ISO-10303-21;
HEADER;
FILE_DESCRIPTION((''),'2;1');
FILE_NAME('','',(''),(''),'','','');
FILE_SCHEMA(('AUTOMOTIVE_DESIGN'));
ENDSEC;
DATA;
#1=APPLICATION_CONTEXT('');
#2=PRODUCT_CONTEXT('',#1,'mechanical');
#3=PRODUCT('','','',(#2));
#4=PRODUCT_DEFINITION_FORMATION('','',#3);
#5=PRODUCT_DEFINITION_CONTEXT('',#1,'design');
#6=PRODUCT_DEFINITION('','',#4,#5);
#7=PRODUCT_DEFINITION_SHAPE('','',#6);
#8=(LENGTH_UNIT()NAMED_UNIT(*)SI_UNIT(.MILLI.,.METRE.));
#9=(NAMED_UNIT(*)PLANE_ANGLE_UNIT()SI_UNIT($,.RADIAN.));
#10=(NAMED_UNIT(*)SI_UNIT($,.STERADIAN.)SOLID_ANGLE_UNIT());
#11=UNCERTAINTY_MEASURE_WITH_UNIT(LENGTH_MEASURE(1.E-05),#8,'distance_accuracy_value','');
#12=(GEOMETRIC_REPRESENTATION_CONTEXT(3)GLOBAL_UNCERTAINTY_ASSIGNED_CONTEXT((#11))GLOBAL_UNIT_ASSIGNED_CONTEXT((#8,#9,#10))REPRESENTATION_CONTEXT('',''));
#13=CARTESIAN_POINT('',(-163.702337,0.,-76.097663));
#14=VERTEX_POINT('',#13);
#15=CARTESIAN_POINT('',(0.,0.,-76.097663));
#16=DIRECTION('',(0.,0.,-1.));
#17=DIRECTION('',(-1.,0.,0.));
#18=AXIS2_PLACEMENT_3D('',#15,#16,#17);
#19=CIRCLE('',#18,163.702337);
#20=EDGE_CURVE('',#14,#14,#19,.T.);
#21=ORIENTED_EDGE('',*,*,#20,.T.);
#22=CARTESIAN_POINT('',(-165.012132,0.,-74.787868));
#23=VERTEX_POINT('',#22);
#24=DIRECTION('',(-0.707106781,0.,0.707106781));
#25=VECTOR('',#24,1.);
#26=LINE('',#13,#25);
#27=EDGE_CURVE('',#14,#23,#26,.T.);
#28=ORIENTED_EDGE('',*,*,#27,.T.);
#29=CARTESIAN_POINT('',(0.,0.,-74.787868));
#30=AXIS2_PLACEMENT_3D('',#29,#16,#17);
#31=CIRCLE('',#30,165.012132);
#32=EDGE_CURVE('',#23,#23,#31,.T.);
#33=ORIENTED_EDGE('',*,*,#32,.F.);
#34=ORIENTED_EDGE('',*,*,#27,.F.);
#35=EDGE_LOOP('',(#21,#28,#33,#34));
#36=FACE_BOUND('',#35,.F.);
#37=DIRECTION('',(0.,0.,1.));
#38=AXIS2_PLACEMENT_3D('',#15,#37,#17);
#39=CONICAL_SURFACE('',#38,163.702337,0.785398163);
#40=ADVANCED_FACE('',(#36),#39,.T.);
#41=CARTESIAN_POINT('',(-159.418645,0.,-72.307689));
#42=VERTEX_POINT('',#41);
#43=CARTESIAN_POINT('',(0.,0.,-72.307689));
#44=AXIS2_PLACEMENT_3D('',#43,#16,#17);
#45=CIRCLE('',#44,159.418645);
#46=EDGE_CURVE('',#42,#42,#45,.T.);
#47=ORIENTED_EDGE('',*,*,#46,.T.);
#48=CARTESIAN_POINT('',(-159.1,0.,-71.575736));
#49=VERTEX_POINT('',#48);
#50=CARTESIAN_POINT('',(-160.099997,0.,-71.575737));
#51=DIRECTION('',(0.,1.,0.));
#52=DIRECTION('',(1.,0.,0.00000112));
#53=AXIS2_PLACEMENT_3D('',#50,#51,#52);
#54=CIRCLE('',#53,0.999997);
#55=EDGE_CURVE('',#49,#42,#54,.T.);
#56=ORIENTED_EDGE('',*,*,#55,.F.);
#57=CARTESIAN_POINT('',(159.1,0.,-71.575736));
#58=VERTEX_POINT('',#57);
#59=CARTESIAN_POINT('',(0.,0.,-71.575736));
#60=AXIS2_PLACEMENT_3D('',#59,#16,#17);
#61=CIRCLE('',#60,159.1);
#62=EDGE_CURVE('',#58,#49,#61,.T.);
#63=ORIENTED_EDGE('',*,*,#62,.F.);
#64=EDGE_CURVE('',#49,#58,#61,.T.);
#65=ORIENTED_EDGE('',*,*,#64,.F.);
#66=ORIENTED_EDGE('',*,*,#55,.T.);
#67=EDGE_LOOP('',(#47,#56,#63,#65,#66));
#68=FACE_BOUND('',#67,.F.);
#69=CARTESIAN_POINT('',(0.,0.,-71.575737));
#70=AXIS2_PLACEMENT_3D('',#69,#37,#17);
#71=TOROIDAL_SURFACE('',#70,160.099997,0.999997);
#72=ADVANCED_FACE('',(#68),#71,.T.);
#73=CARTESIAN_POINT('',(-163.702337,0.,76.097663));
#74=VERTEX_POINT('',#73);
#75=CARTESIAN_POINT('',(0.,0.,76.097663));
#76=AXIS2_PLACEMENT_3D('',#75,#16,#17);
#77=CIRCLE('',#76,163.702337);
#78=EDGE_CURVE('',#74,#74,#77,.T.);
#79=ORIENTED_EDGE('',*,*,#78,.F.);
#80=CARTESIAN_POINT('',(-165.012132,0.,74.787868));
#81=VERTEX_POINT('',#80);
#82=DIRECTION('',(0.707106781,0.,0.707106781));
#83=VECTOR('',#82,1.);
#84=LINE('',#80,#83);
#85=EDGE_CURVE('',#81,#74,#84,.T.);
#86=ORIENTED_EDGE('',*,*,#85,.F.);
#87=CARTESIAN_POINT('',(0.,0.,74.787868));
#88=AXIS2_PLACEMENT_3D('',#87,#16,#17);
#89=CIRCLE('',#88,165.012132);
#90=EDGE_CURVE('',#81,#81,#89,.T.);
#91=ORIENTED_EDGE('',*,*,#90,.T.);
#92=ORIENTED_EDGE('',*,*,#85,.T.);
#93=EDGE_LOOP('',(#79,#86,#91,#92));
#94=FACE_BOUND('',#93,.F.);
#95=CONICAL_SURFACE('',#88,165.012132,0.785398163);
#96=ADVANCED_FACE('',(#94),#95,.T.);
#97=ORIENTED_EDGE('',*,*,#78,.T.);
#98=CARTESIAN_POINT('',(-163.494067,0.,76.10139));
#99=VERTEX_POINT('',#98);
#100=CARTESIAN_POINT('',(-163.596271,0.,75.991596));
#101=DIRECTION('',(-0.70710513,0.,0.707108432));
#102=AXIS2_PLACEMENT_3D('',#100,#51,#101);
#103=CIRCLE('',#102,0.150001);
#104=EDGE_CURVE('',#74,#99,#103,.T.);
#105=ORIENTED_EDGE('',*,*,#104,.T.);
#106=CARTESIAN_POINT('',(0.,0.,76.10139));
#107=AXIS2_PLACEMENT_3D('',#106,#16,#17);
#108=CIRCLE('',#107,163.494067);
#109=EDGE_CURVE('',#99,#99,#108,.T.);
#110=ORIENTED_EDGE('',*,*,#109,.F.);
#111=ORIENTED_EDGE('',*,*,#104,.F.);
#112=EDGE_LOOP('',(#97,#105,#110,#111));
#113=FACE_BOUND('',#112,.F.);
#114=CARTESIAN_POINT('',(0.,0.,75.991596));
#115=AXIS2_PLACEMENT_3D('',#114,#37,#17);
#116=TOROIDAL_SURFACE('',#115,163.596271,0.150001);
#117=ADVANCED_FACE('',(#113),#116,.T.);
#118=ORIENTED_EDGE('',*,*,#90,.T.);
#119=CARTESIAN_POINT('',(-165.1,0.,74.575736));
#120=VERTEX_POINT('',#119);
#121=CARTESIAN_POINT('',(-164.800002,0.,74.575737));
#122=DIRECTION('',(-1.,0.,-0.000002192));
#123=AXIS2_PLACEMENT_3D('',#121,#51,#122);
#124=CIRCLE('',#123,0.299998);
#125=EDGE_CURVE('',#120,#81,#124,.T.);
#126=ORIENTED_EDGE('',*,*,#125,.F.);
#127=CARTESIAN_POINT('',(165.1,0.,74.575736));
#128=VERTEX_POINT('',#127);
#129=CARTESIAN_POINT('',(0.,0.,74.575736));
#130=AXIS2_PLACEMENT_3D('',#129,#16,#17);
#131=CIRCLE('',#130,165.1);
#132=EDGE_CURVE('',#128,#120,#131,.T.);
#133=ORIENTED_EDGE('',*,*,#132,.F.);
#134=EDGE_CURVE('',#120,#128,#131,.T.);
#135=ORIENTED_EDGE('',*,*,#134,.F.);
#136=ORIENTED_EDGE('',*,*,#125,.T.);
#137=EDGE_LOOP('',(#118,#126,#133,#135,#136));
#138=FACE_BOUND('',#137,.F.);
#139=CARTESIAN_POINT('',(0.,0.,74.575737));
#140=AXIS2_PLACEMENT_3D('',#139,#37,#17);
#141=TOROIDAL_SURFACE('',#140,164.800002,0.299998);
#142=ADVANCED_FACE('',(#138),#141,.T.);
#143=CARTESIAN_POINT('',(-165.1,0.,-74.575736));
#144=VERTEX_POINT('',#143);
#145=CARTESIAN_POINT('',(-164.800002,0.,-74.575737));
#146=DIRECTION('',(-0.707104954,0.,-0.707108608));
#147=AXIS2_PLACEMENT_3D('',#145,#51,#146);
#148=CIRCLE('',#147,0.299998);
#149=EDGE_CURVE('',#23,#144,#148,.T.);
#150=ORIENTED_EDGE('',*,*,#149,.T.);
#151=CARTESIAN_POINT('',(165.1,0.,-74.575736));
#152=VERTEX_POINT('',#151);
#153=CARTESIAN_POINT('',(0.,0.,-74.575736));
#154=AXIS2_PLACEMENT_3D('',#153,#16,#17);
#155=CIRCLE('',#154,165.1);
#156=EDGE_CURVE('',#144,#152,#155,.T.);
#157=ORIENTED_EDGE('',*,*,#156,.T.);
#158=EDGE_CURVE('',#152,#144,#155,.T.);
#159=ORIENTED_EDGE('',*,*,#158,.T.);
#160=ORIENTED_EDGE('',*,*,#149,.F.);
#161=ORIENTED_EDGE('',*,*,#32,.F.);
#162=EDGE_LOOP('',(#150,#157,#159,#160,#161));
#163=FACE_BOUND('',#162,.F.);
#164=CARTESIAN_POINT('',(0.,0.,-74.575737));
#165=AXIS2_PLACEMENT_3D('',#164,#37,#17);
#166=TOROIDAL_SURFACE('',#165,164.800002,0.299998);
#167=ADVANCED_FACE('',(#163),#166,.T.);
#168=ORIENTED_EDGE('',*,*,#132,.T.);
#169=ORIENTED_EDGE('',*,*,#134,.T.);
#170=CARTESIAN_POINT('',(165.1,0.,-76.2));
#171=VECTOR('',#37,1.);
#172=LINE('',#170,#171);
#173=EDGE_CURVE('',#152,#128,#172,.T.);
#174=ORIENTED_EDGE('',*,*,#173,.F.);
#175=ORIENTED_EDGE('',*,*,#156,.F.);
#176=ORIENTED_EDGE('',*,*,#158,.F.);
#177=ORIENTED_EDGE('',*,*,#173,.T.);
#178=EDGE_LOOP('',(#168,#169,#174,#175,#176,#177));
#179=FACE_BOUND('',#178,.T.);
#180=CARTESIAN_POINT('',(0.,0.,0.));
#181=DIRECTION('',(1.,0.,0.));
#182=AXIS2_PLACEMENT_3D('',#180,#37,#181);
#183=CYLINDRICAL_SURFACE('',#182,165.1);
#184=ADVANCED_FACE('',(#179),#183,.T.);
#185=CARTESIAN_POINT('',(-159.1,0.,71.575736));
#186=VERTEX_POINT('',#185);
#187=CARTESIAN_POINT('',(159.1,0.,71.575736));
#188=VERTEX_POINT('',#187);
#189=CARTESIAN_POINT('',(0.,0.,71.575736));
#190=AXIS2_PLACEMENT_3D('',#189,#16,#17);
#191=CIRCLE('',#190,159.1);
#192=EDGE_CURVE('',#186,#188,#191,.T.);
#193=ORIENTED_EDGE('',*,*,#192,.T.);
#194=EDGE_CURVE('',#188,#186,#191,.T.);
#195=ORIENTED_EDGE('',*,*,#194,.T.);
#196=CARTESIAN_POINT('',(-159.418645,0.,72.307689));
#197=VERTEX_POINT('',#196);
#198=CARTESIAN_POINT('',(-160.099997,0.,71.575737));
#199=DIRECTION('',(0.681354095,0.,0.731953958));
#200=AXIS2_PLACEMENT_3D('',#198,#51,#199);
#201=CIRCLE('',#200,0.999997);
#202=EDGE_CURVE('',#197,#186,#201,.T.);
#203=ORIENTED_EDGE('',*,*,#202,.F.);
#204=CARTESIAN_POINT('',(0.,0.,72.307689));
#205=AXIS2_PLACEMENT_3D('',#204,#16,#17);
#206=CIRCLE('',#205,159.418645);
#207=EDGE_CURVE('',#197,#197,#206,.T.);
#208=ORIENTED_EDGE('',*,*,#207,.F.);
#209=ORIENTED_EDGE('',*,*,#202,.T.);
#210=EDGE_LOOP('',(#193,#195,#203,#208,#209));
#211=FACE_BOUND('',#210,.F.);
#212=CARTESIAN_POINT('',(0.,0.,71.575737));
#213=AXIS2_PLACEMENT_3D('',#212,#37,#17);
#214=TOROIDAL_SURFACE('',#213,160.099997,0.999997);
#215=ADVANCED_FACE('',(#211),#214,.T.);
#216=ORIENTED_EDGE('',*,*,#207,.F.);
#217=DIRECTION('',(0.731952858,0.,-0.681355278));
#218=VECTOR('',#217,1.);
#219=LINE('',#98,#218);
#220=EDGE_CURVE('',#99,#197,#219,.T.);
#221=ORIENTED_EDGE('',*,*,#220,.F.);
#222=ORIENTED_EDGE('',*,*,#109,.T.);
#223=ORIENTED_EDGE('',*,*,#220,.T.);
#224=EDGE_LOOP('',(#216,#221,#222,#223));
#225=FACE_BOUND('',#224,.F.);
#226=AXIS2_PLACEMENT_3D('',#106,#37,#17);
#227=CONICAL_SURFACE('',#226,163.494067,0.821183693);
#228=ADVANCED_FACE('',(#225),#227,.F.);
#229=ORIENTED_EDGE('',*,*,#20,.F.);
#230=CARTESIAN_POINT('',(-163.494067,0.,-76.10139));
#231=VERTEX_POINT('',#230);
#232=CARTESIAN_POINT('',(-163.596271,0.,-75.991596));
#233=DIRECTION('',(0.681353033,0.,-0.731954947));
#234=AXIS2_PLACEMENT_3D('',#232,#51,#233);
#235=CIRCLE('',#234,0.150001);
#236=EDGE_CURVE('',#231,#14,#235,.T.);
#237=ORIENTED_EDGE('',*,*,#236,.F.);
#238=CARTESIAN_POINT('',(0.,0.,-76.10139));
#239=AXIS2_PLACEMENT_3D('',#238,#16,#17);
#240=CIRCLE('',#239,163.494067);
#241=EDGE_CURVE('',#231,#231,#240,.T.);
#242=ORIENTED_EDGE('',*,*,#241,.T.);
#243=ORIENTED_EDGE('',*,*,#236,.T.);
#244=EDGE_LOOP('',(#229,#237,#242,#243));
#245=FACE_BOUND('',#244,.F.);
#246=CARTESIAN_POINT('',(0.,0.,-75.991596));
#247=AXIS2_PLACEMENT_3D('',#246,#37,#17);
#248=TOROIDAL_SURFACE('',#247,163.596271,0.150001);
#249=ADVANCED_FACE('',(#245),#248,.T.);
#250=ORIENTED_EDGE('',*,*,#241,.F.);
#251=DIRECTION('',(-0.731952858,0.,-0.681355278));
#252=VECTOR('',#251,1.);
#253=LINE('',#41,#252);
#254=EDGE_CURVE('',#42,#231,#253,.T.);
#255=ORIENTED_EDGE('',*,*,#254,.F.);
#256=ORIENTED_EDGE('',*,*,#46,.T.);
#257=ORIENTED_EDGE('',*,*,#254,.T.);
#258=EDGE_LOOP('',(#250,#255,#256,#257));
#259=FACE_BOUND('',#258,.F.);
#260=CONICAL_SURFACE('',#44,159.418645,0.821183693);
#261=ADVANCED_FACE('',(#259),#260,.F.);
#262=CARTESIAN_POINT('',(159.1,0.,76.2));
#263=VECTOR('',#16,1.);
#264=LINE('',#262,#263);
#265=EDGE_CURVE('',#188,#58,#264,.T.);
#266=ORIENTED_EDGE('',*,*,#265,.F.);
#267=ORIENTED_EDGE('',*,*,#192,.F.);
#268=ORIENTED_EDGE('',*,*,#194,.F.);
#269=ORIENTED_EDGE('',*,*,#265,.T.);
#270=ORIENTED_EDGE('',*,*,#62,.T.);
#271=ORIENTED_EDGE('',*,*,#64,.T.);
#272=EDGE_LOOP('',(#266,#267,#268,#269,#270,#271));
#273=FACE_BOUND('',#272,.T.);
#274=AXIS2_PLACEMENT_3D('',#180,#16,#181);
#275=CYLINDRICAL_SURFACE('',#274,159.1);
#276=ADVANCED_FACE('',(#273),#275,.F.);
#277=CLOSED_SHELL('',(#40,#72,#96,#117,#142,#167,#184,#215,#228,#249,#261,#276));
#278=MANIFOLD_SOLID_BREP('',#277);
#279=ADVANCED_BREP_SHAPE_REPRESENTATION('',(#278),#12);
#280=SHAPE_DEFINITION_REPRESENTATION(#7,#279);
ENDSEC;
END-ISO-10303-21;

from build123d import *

# Parameters (mm, degrees)
F0_R     = 165.1
F0_R_2   = 159.1
F1_DEPTH = 76.2


with BuildPart() as f1:
    # F0 (on Top) → F1 (new body, symmetric)
    with BuildSketch(Plane.XY):
        Circle(F0_R)
        Circle(F0_R_2, mode=Mode.SUBTRACT)
    extrude(amount=F1_DEPTH, both=True)

    # F2 (on Front) → F3 (revolve, cut)
    with BuildSketch(Plane.XZ):
        with BuildLine():
            Line((-165.1, 76.2), (-165.1, 74.575736))
            ThreePointArc((-165.1, 74.575736), (-165.077164, 74.690541), (-165.012132, 74.787868))
            Line((-165.012132, 74.787868), (-163.702337, 76.097663))
            ThreePointArc((-163.702337, 76.097663), (-163.598954, 76.141573), (-163.494067, 76.10139))
            Line((-163.494067, 76.10139), (-159.418645, 72.307689))
            ThreePointArc((-159.418645, 72.307689), (-159.183115, 71.974888), (-159.1, 71.575736))
            Line((-159.1, 71.575736), (-159.1, 76.2))
            Line((-159.1, 76.2), (-165.1, 76.2))
        make_face()
        with BuildLine():
            Line((-165.1, -74.575736), (-165.1, -76.2))
            Line((-165.1, -76.2), (-159.1, -76.2))
            Line((-159.1, -76.2), (-159.1, -71.575736))
            ThreePointArc((-159.1, -71.575736), (-159.183115, -71.974888), (-159.418645, -72.307689))
            Line((-159.418645, -72.307689), (-163.494067, -76.10139))
            ThreePointArc((-163.494067, -76.10139), (-163.598954, -76.141573), (-163.702337, -76.097663))
            Line((-163.702337, -76.097663), (-165.012132, -74.787868))
            ThreePointArc((-165.012132, -74.787868), (-165.077164, -74.690541), (-165.1, -74.575736))
        make_face()
    revolve(axis=Axis((0, 0, 0.296205), (0, 0, -1)), mode=Mode.SUBTRACT)


solid = f1.part
